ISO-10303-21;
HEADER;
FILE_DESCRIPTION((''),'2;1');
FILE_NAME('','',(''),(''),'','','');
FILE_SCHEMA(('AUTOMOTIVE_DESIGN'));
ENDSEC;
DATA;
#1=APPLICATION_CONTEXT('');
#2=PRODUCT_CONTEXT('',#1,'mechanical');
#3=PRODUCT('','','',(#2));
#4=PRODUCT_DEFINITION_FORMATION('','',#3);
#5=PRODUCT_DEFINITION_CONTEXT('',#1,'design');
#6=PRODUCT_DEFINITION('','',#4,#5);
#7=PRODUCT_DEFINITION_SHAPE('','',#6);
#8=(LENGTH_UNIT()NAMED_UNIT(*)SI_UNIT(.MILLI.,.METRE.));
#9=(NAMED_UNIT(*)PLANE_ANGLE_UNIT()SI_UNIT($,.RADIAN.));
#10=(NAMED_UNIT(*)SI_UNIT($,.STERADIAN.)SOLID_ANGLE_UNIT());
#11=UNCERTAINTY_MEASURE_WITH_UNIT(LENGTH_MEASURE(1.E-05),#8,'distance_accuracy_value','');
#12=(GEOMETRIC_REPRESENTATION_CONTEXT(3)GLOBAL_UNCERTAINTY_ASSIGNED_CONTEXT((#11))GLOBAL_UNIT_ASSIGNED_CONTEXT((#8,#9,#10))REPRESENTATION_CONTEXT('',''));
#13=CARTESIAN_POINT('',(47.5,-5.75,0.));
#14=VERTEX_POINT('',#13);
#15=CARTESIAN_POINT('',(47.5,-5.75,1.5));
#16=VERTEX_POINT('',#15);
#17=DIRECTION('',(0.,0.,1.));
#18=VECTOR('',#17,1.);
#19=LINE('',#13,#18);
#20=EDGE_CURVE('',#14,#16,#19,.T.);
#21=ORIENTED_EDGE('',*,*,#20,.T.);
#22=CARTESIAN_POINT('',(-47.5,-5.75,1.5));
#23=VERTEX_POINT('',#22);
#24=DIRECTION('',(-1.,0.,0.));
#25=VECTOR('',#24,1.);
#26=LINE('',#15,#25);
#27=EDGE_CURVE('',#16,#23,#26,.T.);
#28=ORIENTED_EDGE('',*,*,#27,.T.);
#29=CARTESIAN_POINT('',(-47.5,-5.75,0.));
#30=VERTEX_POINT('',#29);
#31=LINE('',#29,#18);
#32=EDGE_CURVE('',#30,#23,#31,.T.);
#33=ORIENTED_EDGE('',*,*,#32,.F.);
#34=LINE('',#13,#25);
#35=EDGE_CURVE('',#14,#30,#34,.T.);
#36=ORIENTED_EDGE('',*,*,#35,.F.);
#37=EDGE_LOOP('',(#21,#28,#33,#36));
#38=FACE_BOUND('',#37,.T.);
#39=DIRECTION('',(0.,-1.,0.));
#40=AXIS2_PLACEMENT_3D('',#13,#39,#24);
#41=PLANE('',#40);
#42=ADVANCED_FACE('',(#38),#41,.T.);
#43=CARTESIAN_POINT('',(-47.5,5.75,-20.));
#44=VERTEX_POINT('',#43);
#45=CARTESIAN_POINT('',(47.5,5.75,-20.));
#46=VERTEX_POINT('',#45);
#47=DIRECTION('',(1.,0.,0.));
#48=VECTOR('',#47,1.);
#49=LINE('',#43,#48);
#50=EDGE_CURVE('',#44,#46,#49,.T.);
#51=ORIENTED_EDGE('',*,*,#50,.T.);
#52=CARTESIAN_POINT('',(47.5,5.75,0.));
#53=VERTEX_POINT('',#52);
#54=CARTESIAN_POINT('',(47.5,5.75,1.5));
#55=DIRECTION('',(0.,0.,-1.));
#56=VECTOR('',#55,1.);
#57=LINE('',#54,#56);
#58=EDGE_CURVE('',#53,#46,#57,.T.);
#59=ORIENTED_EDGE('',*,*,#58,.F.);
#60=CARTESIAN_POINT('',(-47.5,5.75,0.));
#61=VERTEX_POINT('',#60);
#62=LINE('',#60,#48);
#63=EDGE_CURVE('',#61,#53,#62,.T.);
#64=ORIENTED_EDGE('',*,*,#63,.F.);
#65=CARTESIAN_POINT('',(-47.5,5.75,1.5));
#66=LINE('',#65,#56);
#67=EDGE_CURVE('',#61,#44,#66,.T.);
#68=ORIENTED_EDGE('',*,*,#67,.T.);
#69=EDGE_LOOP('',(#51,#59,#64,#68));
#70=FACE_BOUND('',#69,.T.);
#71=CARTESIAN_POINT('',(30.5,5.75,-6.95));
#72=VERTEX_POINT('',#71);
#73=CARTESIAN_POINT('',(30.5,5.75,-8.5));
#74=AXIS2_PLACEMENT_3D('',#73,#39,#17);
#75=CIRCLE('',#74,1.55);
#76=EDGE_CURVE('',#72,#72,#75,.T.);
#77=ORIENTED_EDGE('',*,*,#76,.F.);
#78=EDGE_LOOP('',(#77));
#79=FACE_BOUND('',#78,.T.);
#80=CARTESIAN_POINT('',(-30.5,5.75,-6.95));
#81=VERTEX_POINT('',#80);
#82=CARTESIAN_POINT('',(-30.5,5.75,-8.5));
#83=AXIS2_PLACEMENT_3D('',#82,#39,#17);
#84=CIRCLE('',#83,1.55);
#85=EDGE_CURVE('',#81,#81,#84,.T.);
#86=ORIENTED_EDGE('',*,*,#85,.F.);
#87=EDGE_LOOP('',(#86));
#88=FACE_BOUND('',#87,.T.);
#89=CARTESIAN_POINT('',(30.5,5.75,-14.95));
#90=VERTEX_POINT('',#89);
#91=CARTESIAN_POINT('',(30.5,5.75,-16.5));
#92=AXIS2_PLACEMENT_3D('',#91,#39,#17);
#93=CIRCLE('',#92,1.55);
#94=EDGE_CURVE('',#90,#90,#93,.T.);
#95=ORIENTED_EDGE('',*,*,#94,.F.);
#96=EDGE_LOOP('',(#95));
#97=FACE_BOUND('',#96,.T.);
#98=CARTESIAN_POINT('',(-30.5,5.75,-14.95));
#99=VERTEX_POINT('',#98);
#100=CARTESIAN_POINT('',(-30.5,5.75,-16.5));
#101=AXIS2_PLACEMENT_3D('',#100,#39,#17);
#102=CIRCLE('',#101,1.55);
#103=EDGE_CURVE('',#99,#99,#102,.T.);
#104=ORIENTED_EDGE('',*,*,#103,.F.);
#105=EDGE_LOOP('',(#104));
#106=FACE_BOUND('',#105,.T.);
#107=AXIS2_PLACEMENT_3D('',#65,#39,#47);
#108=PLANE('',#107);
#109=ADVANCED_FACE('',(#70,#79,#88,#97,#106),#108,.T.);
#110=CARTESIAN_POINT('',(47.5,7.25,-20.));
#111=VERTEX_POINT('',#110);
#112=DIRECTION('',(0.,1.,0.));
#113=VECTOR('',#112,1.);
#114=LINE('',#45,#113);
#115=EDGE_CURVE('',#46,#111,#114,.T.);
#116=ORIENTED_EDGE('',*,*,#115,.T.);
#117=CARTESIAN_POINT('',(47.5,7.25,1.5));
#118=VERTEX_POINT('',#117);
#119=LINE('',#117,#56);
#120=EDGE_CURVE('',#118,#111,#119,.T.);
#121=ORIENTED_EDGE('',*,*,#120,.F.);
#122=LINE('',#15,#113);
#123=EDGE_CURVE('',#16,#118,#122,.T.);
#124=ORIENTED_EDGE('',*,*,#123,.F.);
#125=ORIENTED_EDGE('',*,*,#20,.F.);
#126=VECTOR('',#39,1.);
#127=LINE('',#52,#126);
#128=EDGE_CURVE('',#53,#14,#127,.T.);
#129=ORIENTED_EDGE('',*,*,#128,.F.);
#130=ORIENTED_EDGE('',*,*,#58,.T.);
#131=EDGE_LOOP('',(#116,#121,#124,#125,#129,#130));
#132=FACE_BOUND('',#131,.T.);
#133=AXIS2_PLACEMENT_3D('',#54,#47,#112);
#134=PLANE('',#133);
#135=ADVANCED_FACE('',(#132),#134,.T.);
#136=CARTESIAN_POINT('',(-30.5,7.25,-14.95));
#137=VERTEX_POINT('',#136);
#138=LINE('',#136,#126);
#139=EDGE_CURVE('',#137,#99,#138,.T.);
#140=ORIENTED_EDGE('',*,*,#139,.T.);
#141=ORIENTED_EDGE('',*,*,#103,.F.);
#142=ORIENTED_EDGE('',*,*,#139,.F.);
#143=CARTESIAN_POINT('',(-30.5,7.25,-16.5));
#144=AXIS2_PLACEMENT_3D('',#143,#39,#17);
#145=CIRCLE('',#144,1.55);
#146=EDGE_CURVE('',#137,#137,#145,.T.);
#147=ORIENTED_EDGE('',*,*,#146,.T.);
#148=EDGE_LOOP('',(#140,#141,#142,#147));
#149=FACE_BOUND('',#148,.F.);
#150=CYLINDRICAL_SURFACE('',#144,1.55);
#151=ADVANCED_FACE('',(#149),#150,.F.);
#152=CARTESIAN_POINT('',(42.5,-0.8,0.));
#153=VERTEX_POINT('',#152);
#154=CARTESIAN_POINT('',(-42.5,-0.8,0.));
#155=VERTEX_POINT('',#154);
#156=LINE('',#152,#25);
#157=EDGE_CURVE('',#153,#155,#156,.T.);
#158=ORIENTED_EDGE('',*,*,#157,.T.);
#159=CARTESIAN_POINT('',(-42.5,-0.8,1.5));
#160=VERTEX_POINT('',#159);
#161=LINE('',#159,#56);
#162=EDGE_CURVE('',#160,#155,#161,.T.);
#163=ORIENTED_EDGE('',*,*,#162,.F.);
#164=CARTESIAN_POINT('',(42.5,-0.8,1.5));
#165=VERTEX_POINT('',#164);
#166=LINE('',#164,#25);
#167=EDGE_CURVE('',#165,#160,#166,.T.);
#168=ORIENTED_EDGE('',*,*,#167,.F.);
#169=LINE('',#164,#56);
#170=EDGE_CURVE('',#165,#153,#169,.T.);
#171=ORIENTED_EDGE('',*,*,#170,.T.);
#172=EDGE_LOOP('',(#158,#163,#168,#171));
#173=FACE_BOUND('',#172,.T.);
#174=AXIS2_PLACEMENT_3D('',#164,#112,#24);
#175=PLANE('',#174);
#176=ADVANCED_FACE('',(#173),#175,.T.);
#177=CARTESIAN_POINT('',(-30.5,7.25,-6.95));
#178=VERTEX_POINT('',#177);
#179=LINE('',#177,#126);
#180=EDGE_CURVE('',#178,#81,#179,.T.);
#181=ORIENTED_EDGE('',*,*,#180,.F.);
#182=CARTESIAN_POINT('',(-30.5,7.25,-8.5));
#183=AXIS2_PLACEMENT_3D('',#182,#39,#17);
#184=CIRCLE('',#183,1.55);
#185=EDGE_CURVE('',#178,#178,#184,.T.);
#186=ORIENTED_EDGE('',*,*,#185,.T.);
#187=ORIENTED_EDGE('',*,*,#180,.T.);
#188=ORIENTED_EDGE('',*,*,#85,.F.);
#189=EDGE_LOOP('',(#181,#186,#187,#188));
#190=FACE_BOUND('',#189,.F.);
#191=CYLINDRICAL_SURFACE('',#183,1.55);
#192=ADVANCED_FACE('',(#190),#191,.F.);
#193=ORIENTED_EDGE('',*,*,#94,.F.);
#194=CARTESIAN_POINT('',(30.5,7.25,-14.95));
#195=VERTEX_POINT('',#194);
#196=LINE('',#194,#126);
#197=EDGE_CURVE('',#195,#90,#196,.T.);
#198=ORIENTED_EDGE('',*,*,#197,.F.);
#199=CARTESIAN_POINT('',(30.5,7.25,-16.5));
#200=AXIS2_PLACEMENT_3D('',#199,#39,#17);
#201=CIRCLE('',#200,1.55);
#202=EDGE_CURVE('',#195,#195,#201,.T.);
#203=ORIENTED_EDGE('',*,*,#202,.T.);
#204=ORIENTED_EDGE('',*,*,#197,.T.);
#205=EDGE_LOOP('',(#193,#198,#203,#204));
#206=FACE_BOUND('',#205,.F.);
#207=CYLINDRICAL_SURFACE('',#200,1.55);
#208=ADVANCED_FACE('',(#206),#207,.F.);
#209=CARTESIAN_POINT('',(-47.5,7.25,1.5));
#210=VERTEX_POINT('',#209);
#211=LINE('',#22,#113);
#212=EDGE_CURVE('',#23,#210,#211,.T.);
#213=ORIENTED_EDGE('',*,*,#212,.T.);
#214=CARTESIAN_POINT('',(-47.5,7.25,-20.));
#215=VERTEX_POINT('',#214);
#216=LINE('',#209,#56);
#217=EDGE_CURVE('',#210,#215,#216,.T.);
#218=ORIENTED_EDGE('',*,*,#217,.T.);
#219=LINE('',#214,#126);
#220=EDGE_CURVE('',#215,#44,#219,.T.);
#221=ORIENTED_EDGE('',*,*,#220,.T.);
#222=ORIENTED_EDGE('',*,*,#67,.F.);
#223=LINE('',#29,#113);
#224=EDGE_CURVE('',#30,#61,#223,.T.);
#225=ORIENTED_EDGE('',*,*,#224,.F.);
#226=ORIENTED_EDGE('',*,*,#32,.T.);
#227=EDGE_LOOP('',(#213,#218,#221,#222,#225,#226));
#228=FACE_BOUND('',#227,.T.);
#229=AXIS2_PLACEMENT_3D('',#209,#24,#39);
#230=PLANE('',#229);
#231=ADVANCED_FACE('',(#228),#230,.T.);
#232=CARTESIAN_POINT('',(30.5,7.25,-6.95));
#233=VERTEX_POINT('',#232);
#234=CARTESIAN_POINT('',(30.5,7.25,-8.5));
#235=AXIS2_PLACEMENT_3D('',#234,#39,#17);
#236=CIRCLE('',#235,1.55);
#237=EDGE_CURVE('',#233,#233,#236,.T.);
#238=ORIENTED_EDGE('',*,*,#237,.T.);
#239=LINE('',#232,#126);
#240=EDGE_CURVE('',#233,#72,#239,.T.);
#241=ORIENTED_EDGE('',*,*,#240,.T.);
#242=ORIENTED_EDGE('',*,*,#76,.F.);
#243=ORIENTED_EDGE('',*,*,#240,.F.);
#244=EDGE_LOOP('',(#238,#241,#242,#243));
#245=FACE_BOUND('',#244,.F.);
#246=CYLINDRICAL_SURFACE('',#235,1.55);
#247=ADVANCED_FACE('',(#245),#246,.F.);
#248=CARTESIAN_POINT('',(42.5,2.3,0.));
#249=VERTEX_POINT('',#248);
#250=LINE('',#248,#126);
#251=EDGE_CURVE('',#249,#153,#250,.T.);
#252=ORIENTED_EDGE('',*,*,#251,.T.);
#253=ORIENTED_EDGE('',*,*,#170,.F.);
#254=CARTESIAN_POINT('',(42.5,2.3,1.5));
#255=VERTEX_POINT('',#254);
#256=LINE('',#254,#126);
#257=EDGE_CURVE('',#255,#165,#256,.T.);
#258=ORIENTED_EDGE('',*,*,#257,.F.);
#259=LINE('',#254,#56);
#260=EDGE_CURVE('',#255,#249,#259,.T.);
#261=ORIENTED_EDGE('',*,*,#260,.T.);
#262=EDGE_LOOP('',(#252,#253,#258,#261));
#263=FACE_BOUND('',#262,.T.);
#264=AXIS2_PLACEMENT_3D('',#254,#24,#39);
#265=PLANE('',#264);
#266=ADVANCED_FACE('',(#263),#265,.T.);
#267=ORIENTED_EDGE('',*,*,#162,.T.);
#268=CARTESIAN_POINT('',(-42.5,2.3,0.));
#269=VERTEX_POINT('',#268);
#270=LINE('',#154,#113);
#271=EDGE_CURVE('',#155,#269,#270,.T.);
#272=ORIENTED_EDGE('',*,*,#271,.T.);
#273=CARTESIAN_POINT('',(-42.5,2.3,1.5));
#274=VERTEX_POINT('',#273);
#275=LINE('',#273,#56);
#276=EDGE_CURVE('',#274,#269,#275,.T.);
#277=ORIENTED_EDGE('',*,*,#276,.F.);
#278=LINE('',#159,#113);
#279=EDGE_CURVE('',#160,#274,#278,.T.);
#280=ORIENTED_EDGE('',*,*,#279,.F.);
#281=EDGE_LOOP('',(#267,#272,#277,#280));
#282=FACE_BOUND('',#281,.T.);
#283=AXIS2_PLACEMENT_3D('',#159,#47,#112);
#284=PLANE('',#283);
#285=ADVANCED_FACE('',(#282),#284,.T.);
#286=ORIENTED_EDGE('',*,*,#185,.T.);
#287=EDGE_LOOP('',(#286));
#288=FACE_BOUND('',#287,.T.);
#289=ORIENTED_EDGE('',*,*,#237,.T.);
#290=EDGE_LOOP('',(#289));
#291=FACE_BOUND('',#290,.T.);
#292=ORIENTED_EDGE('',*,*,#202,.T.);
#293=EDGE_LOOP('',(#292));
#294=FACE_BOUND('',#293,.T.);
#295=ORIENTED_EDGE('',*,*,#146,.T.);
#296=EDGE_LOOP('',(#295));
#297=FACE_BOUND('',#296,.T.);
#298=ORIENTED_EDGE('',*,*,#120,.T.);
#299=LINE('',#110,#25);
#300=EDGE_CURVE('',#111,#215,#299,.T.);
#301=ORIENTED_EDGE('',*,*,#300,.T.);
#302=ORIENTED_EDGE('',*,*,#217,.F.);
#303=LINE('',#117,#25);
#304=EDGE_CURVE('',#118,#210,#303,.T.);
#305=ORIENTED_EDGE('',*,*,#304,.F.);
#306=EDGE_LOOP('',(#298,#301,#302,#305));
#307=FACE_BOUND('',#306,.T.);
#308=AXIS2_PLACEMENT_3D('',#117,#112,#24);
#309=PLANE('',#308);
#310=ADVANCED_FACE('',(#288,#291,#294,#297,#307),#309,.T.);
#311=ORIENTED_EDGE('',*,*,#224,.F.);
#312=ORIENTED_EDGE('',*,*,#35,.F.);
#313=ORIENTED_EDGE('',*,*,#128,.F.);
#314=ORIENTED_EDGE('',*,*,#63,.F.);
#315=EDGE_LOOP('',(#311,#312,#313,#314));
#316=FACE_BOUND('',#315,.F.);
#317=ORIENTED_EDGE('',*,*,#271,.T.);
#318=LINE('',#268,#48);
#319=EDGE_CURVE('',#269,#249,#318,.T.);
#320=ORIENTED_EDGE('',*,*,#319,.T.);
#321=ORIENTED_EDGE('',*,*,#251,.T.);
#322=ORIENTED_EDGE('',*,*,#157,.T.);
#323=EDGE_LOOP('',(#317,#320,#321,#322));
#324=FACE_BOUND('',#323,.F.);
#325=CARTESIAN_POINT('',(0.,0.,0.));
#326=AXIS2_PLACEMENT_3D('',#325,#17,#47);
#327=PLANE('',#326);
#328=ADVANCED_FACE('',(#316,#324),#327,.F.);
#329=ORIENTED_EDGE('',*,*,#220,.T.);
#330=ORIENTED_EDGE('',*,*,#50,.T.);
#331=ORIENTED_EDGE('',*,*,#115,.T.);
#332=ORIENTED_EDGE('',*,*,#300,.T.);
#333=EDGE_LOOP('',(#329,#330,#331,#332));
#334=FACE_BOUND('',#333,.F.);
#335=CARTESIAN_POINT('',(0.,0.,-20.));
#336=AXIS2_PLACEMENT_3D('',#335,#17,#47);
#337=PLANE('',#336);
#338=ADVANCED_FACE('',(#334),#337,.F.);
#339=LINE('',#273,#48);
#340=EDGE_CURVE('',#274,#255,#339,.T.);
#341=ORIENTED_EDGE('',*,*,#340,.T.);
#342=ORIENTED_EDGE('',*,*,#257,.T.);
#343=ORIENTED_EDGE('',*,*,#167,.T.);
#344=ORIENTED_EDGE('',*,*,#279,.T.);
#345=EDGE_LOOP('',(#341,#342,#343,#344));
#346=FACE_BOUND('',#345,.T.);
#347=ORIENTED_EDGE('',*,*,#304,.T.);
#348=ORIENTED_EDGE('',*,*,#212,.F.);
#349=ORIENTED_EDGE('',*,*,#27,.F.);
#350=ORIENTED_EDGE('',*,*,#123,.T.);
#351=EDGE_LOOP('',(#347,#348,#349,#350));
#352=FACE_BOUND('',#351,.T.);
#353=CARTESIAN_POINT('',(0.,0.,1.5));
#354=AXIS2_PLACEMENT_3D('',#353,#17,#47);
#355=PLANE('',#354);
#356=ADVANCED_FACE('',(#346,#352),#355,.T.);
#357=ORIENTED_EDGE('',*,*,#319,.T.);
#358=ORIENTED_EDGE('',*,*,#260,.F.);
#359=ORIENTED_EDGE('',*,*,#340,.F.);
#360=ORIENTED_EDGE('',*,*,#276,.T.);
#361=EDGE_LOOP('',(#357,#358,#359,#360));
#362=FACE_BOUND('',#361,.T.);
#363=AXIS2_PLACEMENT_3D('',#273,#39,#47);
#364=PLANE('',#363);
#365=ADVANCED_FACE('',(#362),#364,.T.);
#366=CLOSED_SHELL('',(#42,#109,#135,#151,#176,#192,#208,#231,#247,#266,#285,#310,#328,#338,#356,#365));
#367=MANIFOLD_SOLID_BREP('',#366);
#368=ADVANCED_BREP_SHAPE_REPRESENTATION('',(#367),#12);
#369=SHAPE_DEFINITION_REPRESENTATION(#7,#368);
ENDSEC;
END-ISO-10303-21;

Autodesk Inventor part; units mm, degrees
ref_plane "YZ Plane" through (0, 0, 0) normal (1, 0, 0) x (0, 1, 0)
ref_plane "XZ Plane" through (0, 0, 0) normal (0, 1, 0) x (-1, 0, 0)
ref_plane "XY Plane" through (0, 0, 0) normal (0, 0, 1) x (1, 0, 0)
sketch "スケッチ1" plane through (0, 0, 0) normal (0, 0, 1) x (1, 0, 0)
  line L0 (-47.5, 5.75) -> (47.5, 5.75)
  line L1 (47.5, 5.75) -> (47.5, -5.75)
  line L2 (47.5, -5.75) -> (-47.5, -5.75)
  line L3 (-47.5, -5.75) -> (-47.5, 5.75)
  line L4 (-47.5, 5.75) -> (47.5, -5.75) construction
  line L5 (47.5, 5.75) -> (-47.5, -5.75) construction
  point P0 (0, 0)
  dimension "d0" = 11.5
  dimension "d1" = 95
extrude "押し出し1" add sketch "スケッチ1" along normal blind 1.5
sketch "スケッチ2" plane through (0, 0, 1.5) normal (0, 0, 1) x (1, 0, 0)
  line L0 (-42.5, 2.3) -> (42.5, 2.3)
  line L1 (42.5, 2.3) -> (42.5, -0.8)
  line L2 (42.5, -0.8) -> (-42.5, -0.8)
  line L3 (-42.5, -0.8) -> (-42.5, 2.3)
  line L4 (-47.5, -5.75) -> (47.5, -5.75) projected
  line L5 (47.5, -5.75) -> (47.5, 5.75) projected
  point P0 (0, 0)
  dimension "d8" = 3.1
  dimension "d9" = 85
  dimension "d10" = 4.95
  dimension "d11" = 5
extrude "押し出し2" cut sketch "スケッチ2" against normal blind 1.5
sketch "スケッチ3" plane through (0, 0, 1.5) normal (0, 0, 1) x (1, 0, 0)
  line L0 (-47.5, 5.75) -> (47.5, 5.75)
  line L1 (47.5, 5.75) -> (47.5, 7.25)
  line L2 (47.5, 7.25) -> (-47.5, 7.25)
  line L3 (-47.5, 7.25) -> (-47.5, 5.75)
  point P0 (0, 0)
  dimension "d14" = 95
  dimension "d15" = 1.5
extrude "押し出し3" add sketch "スケッチ3" against normal blind 21.5
sketch "スケッチ4" plane through (-47.5, 7.25, 1.5) normal (0, 1, 0) x (1, 0, 0)
  line L0 (95, 0) -> (0, 0) projected
  line L1 (0, 21.5) -> (95, 21.5) projected
  point P0 (47.5, 1.5)
  point P1 (17, 10)
  point P2 (78, 10)
  point P3 (17, 18)
  point P4 (78, 18)
  dimension "d18" = 30.5
  dimension "d19" = 30.5
  dimension "d21" = 8
  dimension "d29" = 3.5
hole "穴1" at (-30.5, 7.25, -8.5) at (30.5, 7.25, -8.5) at (-30.5, 7.25, -16.5) at (30.5, 7.25, -16.5) direction (0, -1, 0) diameter 3.1 end through all
equation "\"d27\" = Thickness"
equation "\"BendRadius\" = Thickness"
equation "\"BendReliefWidth\" = Thickness"
equation "\"BendReliefDepth\" = 0.5 * Thickness"
equation "\"CornerReliefSize\" = 4 * Thickness"
equation "\"MinimumRemnant\" = 2 * Thickness"
equation "\"TransitionRadius\" = BendRadius"
equation "\"JacobiRadiusSize\" = BendRadius"
equation "\"GapSize\" = Thickness"
equation "\"Thickness\" = 0.5"
properties part number "Fork 2 ver2" material "アルミニウム 5052 H32"
